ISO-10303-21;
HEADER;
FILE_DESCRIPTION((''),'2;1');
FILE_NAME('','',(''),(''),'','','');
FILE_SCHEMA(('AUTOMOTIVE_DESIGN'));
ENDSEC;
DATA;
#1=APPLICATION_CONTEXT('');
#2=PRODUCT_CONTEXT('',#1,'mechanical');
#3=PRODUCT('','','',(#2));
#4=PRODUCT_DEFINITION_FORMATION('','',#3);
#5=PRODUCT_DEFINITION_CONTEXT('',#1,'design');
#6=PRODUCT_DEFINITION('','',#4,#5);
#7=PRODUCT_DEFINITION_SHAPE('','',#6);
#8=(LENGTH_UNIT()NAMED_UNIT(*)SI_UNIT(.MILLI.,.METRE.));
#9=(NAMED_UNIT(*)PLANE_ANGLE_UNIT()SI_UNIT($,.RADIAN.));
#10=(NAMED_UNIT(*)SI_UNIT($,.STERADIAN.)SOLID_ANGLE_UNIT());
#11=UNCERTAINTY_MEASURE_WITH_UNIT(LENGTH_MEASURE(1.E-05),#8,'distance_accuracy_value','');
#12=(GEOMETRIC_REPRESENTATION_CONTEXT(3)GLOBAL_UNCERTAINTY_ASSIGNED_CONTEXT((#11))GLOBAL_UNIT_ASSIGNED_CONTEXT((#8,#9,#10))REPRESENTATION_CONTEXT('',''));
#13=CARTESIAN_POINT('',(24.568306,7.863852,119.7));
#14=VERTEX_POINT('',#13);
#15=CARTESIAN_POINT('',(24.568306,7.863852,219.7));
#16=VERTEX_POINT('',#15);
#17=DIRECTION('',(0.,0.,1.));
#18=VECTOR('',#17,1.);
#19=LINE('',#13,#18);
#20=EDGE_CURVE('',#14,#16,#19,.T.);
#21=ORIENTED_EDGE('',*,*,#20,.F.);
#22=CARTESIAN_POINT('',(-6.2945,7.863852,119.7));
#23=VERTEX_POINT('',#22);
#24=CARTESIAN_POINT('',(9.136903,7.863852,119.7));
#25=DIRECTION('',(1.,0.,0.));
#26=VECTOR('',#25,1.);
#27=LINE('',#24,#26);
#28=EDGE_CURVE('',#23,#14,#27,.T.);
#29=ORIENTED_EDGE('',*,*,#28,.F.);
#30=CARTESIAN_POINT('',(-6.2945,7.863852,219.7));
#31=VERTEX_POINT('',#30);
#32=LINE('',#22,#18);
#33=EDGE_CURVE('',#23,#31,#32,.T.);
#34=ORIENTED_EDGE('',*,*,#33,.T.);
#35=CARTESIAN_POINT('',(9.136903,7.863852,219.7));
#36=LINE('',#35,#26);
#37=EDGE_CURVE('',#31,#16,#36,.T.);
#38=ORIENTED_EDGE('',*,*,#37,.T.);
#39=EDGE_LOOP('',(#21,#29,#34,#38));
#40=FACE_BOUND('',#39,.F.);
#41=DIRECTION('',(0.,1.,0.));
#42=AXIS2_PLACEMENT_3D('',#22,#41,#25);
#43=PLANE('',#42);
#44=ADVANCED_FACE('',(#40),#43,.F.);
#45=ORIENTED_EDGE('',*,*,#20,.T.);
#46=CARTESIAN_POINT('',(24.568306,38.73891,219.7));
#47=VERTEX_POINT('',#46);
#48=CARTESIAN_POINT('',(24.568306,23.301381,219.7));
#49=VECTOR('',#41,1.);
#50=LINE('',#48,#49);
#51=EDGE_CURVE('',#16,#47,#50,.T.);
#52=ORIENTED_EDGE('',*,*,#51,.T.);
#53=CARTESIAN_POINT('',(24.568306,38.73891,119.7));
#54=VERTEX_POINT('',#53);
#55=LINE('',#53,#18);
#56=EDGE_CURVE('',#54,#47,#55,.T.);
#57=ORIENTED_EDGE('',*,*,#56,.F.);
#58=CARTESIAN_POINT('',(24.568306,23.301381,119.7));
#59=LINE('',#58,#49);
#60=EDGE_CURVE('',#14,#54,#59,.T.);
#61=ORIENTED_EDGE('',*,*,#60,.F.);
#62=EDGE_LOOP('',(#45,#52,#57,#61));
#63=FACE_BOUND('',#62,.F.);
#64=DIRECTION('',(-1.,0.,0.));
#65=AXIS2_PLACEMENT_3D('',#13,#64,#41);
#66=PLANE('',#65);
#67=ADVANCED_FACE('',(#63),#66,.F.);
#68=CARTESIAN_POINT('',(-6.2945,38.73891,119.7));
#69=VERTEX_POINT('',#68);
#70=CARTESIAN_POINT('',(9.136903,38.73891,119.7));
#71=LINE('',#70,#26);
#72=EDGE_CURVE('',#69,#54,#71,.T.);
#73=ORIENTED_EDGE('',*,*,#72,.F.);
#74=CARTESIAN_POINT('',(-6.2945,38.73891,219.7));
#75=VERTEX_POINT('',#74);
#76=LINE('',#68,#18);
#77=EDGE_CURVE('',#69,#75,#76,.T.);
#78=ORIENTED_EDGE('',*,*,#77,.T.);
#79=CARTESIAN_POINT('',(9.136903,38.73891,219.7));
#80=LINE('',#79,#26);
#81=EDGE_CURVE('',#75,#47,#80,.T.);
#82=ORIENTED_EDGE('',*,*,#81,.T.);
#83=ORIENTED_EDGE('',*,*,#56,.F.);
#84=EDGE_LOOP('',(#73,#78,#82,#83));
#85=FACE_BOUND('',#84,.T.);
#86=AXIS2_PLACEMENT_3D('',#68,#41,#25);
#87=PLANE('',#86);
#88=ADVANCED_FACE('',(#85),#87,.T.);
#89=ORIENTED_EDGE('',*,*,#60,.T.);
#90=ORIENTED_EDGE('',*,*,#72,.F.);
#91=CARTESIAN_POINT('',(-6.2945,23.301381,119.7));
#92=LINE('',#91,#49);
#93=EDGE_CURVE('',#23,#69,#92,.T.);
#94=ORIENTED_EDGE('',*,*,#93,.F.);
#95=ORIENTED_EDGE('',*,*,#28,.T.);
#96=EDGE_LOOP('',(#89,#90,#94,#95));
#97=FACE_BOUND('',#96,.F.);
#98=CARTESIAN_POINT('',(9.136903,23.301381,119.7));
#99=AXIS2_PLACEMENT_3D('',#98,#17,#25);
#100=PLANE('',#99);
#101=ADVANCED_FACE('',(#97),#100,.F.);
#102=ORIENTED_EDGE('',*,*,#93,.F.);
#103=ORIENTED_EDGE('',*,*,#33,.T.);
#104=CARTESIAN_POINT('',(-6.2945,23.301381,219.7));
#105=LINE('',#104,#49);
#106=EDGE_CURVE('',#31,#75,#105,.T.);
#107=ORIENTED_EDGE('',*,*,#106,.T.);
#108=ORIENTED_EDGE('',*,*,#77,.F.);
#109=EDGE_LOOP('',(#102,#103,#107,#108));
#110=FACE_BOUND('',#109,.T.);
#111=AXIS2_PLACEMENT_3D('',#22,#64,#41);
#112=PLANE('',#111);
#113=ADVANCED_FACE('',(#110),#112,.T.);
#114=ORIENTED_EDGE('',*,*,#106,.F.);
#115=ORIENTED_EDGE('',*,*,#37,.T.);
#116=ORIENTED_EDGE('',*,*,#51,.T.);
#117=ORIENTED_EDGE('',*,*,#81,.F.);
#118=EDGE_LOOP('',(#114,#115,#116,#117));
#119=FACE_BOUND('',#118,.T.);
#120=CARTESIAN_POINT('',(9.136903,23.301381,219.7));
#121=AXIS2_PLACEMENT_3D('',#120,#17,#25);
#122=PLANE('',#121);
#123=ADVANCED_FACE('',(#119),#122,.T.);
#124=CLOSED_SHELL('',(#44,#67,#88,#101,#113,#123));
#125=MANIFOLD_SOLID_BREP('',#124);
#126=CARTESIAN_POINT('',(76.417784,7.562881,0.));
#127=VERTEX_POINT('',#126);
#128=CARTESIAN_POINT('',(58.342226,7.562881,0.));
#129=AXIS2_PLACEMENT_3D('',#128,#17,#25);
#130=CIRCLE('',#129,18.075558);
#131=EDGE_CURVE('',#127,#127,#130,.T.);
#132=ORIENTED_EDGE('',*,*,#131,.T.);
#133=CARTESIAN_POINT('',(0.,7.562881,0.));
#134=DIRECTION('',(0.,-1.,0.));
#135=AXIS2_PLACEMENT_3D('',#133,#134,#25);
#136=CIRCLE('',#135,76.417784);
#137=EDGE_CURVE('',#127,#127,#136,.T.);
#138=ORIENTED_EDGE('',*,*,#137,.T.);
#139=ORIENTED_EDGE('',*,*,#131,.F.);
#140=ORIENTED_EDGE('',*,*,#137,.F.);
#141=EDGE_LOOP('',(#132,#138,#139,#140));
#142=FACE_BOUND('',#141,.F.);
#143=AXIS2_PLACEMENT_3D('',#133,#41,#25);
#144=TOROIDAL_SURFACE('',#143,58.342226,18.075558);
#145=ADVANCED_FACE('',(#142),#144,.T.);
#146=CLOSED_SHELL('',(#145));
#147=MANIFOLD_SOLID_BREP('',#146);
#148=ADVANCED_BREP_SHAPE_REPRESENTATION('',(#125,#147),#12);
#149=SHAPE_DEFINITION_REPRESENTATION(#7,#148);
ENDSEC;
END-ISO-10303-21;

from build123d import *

# Parameters (mm, degrees)
F0_R     = 18.075558
F3_W     = 30.862806
F3_H     = 30.875058
F4_DEPTH = 100


with BuildPart() as f1:
    # F0 (on Top) → F1 (revolve)
    with BuildSketch(Plane.XY):
        with Locations((58.342226, 7.562881)):
            Circle(F0_R)
    revolve(axis=Axis((0, -0.600228, 0), (0, -1, 0)))


with BuildPart() as f4:
    # F3 (on offset) → F4 (new body)
    with BuildSketch(Plane.XY.offset(119.7)):
        with Locations((9.136903, 23.301381)):
            Rectangle(F3_W, F3_H)
    extrude(amount=F4_DEPTH)


solid = Compound([f1.part, f4.part])
